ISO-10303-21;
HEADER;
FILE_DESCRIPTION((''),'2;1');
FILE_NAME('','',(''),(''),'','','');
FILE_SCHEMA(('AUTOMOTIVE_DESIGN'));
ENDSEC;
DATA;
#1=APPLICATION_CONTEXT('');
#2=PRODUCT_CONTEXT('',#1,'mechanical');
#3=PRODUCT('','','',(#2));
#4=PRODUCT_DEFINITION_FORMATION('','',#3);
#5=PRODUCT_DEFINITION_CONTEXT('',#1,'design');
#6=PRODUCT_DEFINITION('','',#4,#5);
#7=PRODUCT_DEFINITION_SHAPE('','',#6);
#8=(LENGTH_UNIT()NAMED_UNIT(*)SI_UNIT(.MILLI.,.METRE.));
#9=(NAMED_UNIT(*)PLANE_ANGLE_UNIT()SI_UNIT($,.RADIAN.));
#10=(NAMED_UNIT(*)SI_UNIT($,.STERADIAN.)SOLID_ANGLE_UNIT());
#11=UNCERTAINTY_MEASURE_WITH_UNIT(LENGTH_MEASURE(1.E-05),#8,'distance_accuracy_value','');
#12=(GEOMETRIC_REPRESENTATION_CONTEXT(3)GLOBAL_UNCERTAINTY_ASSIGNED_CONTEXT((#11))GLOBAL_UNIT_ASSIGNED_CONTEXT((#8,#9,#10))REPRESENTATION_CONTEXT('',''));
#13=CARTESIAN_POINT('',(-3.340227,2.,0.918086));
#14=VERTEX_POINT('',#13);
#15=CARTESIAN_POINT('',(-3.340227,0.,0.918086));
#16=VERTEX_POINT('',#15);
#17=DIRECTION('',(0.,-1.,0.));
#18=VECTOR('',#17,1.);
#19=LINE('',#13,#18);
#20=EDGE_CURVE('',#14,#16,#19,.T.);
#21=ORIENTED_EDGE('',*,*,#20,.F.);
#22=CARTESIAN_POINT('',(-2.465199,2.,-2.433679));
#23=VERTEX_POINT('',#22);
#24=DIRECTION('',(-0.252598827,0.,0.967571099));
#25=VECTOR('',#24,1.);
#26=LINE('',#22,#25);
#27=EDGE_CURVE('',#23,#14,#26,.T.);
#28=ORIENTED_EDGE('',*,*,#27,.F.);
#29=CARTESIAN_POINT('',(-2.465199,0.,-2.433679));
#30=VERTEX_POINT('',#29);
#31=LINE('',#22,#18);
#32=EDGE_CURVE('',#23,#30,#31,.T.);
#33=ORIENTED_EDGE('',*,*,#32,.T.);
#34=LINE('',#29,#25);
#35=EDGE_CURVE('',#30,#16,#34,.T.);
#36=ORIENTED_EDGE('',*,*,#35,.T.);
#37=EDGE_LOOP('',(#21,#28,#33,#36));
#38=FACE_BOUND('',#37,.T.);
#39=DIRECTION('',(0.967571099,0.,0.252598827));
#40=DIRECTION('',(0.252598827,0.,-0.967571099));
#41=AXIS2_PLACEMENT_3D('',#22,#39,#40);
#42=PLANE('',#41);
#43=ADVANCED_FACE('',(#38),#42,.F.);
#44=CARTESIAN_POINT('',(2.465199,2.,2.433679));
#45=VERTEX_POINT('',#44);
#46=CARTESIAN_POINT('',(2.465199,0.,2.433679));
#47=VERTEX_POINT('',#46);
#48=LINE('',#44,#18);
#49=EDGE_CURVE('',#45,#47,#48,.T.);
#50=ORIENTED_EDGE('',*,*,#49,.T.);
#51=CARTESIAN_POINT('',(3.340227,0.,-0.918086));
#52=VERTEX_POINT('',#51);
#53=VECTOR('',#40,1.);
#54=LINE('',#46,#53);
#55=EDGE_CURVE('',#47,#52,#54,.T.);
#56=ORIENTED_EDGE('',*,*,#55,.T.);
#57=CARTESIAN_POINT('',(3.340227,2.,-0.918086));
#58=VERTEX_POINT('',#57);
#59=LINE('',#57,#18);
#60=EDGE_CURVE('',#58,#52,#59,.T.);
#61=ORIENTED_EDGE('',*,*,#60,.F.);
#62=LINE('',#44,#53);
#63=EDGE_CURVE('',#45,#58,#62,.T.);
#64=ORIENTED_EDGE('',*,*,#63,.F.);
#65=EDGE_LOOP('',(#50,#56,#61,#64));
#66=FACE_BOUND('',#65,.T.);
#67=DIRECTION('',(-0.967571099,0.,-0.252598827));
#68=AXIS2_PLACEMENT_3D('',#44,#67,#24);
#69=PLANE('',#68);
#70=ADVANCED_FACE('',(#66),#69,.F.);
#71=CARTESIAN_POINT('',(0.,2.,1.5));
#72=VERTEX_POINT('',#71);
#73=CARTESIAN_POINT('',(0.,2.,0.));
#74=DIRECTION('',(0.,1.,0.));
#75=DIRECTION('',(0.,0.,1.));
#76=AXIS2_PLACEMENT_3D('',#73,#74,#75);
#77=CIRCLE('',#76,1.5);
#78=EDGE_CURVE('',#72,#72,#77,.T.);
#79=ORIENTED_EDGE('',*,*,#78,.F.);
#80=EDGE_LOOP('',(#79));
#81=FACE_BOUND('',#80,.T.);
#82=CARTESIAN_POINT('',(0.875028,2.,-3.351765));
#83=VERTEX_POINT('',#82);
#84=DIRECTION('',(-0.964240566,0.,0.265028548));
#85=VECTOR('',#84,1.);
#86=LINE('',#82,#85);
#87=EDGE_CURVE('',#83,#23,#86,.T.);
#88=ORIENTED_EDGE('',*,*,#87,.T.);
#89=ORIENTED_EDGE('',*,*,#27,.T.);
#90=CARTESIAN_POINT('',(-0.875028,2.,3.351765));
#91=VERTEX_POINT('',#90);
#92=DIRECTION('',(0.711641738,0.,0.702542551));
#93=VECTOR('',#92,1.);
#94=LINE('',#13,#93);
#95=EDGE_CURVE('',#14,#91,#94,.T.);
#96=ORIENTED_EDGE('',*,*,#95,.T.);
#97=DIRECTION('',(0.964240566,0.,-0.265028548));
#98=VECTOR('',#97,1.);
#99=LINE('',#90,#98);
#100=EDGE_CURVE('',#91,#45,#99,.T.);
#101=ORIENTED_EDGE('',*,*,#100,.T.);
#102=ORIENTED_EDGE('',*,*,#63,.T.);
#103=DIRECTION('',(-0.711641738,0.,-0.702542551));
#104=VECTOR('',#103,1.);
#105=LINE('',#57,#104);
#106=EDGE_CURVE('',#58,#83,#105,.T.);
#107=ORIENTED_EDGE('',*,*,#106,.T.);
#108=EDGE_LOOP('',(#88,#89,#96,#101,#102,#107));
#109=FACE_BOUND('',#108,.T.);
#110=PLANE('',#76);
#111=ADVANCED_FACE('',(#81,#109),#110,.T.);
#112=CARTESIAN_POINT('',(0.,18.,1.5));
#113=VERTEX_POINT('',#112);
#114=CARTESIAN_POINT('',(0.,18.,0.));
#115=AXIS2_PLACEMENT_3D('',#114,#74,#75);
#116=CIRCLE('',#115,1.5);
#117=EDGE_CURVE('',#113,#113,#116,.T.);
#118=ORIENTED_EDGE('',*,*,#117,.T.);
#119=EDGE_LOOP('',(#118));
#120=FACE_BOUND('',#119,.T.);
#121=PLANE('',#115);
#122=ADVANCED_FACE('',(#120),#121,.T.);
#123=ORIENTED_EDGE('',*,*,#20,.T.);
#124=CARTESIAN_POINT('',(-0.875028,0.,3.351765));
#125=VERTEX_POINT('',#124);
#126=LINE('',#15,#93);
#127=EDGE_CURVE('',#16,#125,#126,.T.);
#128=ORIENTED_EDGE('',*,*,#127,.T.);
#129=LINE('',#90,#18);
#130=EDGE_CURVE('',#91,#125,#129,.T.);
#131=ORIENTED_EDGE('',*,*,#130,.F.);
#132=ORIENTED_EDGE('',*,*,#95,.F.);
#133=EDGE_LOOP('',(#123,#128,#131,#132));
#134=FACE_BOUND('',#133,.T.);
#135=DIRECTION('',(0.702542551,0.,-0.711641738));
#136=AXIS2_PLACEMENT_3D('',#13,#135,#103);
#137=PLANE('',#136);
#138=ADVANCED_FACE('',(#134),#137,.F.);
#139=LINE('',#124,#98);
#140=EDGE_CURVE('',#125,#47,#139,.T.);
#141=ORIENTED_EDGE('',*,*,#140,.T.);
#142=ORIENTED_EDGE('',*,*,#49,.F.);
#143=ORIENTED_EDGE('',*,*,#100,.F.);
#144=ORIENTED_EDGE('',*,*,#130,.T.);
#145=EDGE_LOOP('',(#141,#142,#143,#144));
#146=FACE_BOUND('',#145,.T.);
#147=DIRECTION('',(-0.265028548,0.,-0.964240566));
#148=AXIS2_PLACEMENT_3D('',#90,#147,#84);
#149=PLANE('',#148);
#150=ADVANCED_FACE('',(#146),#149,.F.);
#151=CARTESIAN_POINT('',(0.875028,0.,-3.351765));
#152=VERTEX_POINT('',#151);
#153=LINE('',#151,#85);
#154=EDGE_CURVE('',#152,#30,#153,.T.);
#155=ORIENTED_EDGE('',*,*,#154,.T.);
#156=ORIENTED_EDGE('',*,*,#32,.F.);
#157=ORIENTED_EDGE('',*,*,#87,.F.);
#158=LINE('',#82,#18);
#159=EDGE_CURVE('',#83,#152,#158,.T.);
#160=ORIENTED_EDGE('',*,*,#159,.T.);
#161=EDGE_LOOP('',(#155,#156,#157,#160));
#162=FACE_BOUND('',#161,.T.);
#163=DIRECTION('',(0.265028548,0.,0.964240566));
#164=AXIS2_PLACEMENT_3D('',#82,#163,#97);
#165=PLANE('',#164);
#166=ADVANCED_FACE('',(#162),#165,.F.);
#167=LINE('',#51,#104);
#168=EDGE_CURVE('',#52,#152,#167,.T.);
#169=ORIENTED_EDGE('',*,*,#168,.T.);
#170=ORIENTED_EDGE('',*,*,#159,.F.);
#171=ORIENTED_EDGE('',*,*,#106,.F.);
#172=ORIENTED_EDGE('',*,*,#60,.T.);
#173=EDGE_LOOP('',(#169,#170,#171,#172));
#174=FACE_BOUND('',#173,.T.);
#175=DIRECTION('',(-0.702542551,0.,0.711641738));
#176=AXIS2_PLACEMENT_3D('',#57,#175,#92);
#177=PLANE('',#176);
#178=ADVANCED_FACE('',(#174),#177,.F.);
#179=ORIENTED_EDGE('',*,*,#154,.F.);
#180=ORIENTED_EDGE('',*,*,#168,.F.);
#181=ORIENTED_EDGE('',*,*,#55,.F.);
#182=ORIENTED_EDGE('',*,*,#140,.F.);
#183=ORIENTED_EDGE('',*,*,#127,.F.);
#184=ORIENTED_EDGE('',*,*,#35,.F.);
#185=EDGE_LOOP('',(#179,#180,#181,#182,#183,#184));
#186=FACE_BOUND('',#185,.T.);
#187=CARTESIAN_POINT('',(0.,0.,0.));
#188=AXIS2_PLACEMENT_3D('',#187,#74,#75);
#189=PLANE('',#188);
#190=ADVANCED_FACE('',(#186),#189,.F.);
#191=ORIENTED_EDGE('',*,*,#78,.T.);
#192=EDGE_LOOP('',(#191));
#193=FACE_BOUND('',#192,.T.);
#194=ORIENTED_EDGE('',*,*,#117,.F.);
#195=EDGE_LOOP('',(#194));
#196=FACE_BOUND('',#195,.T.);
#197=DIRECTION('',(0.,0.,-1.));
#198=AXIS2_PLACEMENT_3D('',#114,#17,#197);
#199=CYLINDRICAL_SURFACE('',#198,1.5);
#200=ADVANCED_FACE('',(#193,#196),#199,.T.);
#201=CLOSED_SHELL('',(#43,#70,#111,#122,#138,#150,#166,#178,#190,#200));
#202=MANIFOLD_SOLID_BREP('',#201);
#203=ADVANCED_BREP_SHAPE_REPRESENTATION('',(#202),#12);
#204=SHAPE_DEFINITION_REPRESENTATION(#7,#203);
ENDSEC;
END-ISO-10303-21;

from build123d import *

# Parameters (mm, degrees)
BOSS_EXTRUDE1_DEPTH = 2
SKETCH2_R           = 1.5
BOSS_EXTRUDE2_DEPTH = 16


with BuildPart() as part:
    # Sketch1 → Boss-Extrude1 (new body)
    with BuildSketch(Plane(origin=(0, 0, 0), x_dir=(1, 0, 0), z_dir=(0, 1, 0))):
        Polygon((2.465199296, -2.433678786), (3.340227301, 0.918085822), (0.875028005, 3.351764608), (-2.465199296, 2.433678786), (-3.340227301, -0.918085822), (-0.875028005, -3.351764608), align=None)
    extrude(amount=BOSS_EXTRUDE1_DEPTH)

    # Sketch2 → Boss-Extrude2 (add)
    with BuildSketch(Plane(origin=(0, 2, 0), x_dir=(1, 0, 0), z_dir=(0, 1, 0))):
        Circle(SKETCH2_R)
    extrude(amount=BOSS_EXTRUDE2_DEPTH)


solid = part.part
